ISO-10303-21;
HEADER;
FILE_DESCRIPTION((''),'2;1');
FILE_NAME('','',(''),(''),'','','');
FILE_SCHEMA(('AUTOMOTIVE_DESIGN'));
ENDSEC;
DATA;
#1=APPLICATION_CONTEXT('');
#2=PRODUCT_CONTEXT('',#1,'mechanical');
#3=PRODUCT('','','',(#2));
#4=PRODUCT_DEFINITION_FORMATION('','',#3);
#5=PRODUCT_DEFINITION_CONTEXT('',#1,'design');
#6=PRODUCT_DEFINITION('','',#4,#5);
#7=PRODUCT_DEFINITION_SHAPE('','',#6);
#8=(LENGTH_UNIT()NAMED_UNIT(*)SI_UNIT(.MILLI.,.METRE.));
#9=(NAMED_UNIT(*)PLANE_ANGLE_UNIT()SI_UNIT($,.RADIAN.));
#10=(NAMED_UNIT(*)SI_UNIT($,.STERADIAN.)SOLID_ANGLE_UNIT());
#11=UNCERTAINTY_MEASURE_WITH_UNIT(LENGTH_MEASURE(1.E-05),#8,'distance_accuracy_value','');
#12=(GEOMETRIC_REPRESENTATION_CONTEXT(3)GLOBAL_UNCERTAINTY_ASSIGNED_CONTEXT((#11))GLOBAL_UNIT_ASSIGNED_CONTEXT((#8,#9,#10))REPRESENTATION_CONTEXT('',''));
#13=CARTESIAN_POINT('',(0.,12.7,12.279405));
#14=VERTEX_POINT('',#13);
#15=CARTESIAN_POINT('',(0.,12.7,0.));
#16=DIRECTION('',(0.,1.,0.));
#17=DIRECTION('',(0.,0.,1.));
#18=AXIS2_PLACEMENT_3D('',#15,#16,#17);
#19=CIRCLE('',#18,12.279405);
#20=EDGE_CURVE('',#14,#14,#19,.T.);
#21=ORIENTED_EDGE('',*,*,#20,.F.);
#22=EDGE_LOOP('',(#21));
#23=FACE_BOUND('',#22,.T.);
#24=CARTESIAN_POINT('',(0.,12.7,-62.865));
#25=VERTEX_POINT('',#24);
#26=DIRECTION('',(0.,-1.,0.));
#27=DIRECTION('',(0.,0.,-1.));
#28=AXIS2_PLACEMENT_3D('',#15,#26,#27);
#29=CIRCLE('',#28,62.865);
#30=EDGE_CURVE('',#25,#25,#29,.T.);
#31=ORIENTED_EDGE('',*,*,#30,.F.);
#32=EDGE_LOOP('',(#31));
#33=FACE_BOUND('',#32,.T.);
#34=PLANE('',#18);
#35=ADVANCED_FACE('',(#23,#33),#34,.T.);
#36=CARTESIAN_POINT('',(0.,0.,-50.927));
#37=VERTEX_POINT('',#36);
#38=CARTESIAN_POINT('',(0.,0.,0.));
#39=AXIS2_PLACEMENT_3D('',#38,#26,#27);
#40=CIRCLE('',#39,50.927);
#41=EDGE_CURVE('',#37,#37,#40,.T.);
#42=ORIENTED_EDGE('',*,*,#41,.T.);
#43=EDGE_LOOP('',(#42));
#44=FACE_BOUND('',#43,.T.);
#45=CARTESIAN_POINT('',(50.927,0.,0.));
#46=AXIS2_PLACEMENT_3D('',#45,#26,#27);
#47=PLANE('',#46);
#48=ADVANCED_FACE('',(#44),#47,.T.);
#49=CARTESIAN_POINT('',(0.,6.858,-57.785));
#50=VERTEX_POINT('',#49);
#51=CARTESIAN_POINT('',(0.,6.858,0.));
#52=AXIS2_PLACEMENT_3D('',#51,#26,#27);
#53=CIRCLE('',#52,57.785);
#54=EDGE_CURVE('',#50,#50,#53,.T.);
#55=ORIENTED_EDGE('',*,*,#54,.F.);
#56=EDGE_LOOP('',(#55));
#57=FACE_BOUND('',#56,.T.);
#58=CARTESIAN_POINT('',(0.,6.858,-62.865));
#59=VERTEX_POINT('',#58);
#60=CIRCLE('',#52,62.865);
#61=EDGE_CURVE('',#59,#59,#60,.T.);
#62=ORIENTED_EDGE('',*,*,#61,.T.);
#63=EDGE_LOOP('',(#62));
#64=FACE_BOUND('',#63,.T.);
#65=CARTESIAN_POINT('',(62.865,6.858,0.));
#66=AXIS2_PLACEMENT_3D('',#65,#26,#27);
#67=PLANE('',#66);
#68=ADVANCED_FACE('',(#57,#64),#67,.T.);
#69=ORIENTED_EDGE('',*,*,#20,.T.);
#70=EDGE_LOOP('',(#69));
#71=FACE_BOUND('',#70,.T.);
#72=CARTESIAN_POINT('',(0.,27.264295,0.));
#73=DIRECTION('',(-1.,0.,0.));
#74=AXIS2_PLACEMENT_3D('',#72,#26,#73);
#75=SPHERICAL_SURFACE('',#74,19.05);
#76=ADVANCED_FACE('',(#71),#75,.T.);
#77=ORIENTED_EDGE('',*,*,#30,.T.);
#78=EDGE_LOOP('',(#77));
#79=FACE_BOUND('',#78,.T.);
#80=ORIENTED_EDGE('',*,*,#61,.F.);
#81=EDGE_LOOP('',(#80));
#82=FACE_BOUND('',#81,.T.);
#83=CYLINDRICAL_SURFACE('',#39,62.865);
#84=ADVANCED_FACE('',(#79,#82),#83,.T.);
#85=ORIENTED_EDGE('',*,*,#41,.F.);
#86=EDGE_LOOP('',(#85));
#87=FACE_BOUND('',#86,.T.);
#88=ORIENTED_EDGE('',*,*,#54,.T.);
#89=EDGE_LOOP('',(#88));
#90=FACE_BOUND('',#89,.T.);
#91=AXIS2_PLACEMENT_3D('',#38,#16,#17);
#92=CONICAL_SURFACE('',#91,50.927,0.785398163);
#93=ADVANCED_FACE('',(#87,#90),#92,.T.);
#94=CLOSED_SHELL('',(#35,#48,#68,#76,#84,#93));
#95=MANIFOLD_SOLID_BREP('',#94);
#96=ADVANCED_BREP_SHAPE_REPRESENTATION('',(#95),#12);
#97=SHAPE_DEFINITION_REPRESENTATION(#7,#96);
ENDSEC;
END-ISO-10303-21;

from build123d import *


with BuildPart() as part:
    # Sketch1 → Revolve1 (revolve)
    with BuildSketch(Plane.XY, mode=Mode.PRIVATE) as revolve1_sk:
        Polygon((62.865, 12.7), (62.865, 6.858), (57.785, 6.858), (50.927, 0), (0, 0), (0, 12.7), align=None)
    revolve(revolve1_sk.sketch.rotate(Axis((0, 0, 0), (0, 1, 0)), 90), axis=Axis((0, 0, 0), (0, 1, 0)))

    # Sketch2 → Revolve2 (revolve)
    with BuildSketch(Plane.XY):
        with BuildLine():
            Line((0, 46.314295443), (0, 8.214295443))
            ThreePointArc((0, 8.214295443), (19.05, 27.264295443), (0, 46.314295443))
        make_face()
    revolve(axis=Axis((0, 0, 0), (0, 1, 0)))


solid = part.part
